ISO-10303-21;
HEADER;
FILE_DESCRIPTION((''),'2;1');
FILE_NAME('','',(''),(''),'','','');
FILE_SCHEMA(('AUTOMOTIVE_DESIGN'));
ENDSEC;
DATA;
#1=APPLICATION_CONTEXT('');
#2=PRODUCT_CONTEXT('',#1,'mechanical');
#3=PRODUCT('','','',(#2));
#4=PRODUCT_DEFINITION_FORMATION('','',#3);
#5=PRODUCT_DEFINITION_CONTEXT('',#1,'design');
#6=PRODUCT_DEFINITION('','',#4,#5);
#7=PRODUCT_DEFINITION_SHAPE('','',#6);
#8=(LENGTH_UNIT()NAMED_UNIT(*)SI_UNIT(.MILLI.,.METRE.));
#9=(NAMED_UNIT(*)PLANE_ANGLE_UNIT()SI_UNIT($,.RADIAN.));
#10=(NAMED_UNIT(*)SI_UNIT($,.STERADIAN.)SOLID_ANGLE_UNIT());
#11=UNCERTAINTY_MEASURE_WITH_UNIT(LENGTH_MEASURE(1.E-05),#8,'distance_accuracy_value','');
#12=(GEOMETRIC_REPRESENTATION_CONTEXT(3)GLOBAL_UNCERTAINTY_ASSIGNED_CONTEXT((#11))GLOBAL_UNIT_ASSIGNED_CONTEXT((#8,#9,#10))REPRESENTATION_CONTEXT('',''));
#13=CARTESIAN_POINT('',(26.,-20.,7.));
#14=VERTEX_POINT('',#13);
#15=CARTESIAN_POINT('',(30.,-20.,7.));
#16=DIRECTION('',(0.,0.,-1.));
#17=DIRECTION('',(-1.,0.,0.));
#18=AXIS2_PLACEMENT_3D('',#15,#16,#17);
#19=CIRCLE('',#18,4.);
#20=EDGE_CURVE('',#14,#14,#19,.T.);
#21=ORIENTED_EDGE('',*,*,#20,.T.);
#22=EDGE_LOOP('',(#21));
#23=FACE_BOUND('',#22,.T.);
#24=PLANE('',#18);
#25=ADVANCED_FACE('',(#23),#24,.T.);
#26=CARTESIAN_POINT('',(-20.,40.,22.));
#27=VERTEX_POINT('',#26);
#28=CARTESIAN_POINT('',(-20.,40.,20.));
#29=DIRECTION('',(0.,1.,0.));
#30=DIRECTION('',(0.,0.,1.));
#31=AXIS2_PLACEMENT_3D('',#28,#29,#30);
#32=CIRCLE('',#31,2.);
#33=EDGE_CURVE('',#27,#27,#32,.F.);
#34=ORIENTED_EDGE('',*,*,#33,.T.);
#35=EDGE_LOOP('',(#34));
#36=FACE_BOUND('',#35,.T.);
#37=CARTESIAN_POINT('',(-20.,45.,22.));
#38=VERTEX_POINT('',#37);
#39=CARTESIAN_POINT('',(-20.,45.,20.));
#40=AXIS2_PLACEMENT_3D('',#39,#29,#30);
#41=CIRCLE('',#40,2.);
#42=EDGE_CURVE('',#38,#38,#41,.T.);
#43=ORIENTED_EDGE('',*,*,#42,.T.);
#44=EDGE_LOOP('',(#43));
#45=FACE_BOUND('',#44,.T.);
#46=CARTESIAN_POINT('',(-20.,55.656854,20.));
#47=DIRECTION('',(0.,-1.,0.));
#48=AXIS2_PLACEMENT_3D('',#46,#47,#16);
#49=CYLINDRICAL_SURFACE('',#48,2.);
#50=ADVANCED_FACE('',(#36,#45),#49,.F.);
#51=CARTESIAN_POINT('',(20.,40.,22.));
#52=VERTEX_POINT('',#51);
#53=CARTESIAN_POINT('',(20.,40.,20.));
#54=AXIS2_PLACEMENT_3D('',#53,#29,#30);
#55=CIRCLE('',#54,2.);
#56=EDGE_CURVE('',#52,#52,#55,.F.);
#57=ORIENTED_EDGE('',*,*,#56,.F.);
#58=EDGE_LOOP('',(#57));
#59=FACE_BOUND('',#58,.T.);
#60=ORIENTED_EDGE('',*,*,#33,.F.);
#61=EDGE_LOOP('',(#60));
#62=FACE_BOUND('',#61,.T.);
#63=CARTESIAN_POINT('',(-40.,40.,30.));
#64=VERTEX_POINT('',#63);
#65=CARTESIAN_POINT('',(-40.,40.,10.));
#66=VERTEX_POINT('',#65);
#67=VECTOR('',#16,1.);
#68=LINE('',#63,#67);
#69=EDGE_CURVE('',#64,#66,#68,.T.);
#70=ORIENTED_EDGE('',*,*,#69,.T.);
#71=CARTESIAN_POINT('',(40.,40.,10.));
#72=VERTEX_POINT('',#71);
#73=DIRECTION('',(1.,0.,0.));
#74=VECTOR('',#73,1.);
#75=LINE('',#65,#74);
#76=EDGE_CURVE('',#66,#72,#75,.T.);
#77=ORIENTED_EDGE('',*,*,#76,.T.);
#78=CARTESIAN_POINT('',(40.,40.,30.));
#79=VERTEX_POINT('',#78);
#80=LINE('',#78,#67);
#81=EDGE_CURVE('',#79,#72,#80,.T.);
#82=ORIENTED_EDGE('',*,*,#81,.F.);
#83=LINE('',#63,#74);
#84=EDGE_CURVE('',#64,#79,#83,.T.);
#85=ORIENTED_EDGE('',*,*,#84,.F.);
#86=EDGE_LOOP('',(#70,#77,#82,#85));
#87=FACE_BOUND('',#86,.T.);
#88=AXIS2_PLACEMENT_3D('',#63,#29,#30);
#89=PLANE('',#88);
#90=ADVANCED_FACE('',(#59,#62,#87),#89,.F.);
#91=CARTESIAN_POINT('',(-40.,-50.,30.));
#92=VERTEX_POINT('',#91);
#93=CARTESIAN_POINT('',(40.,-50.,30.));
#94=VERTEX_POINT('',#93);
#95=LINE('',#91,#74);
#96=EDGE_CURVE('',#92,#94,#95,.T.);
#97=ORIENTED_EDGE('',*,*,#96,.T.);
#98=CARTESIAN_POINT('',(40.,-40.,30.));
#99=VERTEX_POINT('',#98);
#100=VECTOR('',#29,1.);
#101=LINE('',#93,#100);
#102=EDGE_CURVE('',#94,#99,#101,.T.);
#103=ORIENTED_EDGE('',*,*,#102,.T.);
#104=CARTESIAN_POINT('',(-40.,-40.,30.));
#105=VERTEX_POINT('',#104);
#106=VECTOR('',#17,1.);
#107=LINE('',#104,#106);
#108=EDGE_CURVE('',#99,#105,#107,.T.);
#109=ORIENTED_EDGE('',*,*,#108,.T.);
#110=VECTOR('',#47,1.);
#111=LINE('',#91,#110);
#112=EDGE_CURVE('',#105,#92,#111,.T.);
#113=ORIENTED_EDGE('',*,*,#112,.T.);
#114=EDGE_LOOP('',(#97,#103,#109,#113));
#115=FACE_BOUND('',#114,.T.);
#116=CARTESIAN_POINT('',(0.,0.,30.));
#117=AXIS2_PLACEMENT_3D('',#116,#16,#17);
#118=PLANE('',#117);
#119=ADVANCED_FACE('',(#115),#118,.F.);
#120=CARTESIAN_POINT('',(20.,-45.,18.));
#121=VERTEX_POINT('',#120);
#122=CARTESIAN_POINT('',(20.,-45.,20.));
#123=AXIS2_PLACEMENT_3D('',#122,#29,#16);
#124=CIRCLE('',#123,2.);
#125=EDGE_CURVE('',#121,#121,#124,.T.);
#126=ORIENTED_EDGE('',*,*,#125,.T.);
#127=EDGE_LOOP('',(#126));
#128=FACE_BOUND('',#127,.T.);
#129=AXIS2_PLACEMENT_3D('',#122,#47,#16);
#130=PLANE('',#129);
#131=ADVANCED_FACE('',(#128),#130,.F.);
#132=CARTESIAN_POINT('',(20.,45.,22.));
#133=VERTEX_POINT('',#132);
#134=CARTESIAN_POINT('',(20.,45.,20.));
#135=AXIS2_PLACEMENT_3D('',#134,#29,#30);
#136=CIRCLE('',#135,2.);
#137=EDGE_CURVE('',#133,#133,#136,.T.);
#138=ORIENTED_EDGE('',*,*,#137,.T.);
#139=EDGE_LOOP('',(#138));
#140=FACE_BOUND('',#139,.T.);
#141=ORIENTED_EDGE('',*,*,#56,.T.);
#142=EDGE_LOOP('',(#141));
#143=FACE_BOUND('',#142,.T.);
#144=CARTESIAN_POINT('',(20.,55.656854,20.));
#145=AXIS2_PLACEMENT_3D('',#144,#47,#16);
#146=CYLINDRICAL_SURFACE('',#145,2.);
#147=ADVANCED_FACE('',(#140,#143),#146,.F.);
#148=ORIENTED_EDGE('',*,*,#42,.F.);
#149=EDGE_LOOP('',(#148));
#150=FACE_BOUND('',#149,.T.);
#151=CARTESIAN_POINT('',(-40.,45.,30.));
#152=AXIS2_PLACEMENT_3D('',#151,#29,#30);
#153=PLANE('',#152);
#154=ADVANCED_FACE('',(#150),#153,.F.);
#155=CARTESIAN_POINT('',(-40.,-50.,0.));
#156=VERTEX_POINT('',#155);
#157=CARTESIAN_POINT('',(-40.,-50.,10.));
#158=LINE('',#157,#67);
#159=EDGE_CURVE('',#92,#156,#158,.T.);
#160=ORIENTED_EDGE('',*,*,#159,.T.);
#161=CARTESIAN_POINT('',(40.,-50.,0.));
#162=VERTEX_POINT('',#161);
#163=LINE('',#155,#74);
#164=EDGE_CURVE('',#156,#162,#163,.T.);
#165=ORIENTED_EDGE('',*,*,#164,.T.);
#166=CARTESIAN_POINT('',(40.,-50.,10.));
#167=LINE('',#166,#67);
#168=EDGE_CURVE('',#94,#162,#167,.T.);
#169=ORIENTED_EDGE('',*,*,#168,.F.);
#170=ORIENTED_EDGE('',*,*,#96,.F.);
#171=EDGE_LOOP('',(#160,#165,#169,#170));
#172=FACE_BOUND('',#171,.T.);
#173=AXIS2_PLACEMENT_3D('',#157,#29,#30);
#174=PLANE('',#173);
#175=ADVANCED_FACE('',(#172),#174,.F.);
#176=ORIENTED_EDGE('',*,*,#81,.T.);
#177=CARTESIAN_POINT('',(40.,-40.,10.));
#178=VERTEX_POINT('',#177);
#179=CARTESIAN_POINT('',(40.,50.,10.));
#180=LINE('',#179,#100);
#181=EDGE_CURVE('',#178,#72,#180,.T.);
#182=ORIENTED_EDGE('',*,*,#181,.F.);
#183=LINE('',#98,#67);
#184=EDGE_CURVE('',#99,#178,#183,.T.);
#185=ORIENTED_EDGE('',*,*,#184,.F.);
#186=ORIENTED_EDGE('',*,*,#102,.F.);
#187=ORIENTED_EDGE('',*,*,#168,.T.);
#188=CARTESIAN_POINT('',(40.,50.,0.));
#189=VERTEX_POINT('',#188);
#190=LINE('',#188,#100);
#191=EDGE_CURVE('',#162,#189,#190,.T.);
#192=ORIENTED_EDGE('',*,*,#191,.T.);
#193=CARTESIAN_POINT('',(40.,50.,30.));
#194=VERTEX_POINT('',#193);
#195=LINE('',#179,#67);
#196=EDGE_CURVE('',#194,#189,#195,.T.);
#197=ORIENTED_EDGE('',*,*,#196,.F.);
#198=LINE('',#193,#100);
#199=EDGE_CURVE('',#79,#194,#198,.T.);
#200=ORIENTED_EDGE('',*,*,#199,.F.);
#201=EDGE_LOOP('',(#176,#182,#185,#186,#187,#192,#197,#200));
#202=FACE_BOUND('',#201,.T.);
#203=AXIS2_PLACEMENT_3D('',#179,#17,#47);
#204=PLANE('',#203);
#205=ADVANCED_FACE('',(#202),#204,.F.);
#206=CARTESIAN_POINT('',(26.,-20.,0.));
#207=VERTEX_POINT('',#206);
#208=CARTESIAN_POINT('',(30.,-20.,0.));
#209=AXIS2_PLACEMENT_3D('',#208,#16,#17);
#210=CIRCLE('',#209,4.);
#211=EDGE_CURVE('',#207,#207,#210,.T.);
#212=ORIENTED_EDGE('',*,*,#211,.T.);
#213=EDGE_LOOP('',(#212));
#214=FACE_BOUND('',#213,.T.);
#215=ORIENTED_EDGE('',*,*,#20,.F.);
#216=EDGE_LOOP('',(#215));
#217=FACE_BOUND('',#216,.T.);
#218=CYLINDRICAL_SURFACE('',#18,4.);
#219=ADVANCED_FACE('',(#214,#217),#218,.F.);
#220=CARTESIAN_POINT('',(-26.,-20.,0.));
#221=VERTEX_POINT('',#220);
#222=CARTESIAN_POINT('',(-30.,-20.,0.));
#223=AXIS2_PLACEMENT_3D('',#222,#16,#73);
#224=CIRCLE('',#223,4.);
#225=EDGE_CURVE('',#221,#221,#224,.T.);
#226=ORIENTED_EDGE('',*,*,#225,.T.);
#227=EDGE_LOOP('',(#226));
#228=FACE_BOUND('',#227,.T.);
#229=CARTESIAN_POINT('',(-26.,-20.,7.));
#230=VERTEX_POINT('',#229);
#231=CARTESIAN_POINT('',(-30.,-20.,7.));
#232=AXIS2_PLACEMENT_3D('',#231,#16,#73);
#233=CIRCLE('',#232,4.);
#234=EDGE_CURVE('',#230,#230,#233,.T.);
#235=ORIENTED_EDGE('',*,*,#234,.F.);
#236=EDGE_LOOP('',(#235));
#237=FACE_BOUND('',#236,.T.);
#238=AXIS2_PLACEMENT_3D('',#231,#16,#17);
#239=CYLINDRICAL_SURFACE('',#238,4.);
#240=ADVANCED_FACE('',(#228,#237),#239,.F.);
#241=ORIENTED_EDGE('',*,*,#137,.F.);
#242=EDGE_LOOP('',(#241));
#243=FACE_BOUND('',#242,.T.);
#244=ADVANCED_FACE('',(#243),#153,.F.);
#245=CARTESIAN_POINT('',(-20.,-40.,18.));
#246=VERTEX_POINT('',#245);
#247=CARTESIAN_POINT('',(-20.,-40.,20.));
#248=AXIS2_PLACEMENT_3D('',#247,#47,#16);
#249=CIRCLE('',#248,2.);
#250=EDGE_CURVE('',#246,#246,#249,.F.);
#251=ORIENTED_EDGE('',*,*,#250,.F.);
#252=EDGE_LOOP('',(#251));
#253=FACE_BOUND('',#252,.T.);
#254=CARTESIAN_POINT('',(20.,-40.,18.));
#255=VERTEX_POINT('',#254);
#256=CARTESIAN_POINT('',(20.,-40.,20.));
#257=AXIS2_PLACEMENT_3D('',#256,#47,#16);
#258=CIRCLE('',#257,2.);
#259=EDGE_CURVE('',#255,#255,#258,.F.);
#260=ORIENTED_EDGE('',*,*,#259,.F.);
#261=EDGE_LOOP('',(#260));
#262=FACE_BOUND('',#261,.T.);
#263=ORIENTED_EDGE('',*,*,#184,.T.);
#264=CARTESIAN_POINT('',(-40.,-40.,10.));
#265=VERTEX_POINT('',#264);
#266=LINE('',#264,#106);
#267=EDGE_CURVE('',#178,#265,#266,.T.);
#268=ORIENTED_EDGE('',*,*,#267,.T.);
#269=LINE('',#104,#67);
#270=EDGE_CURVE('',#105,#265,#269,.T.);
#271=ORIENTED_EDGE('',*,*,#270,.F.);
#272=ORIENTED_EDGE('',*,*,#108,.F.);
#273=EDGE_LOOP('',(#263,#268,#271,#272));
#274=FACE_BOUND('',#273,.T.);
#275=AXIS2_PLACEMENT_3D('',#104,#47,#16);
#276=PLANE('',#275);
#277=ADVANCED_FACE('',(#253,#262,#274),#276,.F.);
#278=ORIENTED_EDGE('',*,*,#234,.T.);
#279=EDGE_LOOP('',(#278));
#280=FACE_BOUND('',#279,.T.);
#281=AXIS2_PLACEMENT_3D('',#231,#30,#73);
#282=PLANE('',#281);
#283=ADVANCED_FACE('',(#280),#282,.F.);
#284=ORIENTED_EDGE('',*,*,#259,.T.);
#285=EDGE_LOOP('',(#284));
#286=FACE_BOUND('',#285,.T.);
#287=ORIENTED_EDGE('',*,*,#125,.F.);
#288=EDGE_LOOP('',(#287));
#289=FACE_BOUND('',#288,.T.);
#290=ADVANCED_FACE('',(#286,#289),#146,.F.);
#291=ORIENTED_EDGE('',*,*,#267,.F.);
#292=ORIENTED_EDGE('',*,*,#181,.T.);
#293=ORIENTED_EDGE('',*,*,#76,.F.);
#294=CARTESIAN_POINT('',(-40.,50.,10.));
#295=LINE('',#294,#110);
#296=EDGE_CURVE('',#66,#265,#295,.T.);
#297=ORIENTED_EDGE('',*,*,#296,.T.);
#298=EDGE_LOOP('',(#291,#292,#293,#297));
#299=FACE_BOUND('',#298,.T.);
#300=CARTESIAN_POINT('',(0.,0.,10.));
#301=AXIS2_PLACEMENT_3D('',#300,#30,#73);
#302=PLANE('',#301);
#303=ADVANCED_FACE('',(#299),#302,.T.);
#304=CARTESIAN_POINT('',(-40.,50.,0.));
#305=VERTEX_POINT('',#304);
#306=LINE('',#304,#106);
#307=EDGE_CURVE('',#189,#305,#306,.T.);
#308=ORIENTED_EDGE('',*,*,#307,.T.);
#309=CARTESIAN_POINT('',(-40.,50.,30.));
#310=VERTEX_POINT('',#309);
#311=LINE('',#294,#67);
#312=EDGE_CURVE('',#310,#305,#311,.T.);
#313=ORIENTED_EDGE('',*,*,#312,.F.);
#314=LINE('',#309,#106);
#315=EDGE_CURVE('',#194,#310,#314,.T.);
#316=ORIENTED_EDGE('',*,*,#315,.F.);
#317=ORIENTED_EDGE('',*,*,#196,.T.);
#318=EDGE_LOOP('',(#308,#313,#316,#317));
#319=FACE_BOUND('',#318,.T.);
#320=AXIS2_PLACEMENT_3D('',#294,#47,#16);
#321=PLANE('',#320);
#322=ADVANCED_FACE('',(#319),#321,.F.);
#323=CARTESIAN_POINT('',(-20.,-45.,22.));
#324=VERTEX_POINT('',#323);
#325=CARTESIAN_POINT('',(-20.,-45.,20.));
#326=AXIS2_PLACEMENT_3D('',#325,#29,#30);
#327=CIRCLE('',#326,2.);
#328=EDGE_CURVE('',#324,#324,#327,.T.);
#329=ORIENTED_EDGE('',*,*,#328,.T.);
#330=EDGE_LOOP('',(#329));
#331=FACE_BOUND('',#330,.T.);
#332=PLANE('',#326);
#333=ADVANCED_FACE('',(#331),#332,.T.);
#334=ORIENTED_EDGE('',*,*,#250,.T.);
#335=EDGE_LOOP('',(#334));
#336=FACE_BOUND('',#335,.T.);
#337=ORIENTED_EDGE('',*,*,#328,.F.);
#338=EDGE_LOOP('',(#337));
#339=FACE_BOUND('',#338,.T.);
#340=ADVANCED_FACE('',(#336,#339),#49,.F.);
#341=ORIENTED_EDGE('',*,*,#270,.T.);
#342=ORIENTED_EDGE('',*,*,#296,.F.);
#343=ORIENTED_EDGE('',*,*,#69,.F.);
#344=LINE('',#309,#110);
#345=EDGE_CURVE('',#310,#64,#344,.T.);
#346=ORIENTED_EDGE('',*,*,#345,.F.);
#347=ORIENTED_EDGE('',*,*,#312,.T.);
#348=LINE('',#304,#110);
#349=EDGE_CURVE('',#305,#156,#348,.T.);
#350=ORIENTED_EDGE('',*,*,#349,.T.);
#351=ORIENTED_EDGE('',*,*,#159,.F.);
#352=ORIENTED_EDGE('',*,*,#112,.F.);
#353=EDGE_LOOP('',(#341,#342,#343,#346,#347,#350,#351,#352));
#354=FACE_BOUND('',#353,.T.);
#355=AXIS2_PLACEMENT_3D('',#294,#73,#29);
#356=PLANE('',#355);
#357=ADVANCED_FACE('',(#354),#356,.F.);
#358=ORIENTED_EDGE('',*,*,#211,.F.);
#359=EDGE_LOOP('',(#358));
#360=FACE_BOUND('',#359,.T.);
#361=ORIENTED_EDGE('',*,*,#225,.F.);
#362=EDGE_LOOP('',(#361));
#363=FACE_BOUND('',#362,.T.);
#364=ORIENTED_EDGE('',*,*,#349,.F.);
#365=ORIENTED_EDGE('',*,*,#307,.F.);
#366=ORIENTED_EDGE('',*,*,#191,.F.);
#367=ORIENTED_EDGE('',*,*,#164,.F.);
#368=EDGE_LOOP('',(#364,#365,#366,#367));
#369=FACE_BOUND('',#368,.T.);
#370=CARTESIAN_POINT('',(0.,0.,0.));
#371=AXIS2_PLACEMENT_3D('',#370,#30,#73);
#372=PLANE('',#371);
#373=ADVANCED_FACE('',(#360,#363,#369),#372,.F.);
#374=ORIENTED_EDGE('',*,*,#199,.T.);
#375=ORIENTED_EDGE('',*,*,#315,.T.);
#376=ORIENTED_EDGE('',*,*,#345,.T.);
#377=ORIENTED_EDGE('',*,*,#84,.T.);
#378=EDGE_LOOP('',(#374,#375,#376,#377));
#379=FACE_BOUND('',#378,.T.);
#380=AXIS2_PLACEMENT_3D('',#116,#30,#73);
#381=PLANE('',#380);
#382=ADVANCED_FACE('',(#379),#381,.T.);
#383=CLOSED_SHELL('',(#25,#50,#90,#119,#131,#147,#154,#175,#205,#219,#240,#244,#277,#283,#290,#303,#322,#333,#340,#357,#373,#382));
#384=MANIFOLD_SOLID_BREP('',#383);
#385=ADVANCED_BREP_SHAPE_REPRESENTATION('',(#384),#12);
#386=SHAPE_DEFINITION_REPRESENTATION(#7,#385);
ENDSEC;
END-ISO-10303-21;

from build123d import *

# Parameters (mm, degrees)
SKETCH1_W               = 80
SKETCH1_H               = 100
BOSS_EXTRUDE1_DEPTH     = 10
SKETCH2_R               = 4
CUT_EXTRUDE1_DEPTH      = 7
SKETCH3_W               = 80
SKETCH3_H               = 10
BOSS_EXTRUDE2_DEPTH     = 20
CUT_EXTRUDE2_DEPTH      = 85
CUT_EXTRUDE2_DEPTH_BACK = 5
SKETCH4_R               = 2


with BuildPart() as part:
    # Sketch1 → Boss-Extrude1 (new body)
    with BuildSketch(Plane.XY):
        Rectangle(SKETCH1_W, SKETCH1_H)
    extrude(amount=BOSS_EXTRUDE1_DEPTH)

    # Sketch2 → Cut-Extrude1 (cut)
    with BuildSketch(Plane(origin=(0, 0, 0), x_dir=(-1, 0, 0), z_dir=(0, 0, -1))):
        with Locations((-30, -20)):
            Circle(SKETCH2_R)
        with Locations(Location((30, -20, 0), (0, 0, 180))):
            Circle(SKETCH2_R)
    extrude(amount=-CUT_EXTRUDE1_DEPTH, mode=Mode.SUBTRACT)

    # Sketch3 → Boss-Extrude2 (add)
    with BuildSketch(Plane.XY.offset(10)):
        with Locations((0, -45)):
            Rectangle(SKETCH3_W, SKETCH3_H)
        with Locations((0, 45)):
            Rectangle(SKETCH3_W, SKETCH3_H)
    extrude(amount=BOSS_EXTRUDE2_DEPTH)

    # Sketch4 → Cut-Extrude2 (cut, two sides: drawn at the far end of the back side and taken through both)
    with BuildSketch(Plane(origin=(0, -40, 0), x_dir=(1, 0, 0), z_dir=(0, 1, 0)).offset(-CUT_EXTRUDE2_DEPTH_BACK)):
        with Locations(Location((-20, -20, 0), (0, 0, 270))):
            Circle(SKETCH4_R)
        with Locations(Location((20, -20, 0), (0, 0, 270))):
            Circle(SKETCH4_R)
    extrude(amount=CUT_EXTRUDE2_DEPTH + CUT_EXTRUDE2_DEPTH_BACK, mode=Mode.SUBTRACT)


solid = part.part
